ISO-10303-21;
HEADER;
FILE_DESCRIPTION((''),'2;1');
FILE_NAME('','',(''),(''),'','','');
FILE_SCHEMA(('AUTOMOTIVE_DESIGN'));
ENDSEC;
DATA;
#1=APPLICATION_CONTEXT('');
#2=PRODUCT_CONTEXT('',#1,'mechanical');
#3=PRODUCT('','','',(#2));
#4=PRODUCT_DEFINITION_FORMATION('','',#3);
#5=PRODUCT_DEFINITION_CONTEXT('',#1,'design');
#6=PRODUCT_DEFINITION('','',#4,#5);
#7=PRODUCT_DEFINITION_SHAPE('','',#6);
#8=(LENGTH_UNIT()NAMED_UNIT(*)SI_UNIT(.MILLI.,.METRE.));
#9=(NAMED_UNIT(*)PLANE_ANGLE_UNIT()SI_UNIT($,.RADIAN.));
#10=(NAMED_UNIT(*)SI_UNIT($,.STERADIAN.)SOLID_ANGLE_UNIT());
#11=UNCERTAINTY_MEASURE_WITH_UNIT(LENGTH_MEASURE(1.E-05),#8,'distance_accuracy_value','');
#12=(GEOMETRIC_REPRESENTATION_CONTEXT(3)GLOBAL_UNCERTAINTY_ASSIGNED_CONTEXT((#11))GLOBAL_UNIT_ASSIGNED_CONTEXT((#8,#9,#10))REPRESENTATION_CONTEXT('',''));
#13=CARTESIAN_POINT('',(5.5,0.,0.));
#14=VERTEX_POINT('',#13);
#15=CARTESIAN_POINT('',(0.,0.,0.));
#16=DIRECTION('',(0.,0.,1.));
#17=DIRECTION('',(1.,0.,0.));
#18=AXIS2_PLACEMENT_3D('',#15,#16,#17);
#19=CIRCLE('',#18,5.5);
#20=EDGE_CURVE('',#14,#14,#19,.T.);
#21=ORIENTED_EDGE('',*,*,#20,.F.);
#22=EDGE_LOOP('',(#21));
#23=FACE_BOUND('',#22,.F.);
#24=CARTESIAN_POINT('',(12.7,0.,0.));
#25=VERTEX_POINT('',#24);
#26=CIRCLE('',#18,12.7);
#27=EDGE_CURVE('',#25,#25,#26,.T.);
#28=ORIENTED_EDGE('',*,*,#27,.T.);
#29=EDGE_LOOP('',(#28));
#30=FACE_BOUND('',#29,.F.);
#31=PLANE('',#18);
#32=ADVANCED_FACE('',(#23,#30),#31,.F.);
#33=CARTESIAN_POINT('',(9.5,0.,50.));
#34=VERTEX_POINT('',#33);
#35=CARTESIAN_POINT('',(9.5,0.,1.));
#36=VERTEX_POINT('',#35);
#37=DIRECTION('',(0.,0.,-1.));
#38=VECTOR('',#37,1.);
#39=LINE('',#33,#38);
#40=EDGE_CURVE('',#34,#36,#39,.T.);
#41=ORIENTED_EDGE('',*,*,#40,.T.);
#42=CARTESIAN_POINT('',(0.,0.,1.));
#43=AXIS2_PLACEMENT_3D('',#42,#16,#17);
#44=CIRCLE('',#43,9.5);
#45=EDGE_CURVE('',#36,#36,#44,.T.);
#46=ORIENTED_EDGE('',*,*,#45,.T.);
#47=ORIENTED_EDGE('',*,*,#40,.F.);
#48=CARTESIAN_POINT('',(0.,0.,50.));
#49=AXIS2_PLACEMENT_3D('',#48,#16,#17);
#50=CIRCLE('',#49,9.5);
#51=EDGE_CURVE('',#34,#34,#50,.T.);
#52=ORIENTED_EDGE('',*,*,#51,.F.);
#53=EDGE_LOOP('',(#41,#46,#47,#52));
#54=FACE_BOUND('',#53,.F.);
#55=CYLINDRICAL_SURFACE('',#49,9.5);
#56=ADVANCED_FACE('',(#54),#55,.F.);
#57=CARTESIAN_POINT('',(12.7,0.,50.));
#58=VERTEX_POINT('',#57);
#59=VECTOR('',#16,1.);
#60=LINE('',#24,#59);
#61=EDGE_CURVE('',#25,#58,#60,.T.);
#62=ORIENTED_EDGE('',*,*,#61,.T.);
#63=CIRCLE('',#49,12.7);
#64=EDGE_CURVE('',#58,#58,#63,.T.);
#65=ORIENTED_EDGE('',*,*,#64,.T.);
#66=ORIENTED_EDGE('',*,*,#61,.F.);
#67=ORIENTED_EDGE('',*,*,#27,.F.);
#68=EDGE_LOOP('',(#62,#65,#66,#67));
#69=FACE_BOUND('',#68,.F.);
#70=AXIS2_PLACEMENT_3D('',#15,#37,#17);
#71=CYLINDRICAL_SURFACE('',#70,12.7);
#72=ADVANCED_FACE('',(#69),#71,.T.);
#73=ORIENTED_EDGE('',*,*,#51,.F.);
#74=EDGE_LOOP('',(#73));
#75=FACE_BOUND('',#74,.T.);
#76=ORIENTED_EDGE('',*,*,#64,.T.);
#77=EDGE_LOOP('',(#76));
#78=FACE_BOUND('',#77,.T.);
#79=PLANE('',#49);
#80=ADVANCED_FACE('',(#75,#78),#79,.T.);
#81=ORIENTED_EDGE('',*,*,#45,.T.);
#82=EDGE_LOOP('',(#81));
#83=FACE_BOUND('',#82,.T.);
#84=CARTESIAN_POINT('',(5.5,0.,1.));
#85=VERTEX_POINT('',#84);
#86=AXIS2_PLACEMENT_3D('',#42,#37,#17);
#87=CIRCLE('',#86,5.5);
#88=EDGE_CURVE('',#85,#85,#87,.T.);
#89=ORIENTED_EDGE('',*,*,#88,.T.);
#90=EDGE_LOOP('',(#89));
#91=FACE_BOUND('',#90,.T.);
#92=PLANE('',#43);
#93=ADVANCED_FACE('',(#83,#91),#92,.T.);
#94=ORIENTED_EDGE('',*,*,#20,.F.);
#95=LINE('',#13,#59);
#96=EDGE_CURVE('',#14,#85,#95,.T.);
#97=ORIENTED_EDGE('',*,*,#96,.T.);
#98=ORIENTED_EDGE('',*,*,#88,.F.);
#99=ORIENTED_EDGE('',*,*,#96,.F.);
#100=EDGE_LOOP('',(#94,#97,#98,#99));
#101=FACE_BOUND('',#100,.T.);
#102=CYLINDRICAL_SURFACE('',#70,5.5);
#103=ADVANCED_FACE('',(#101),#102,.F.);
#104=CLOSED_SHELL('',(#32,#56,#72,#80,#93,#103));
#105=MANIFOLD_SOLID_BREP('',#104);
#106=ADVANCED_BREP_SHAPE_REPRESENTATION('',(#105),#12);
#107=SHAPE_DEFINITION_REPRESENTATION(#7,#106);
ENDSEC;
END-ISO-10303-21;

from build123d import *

# Parameters (mm, degrees)
SKETCH_R     = 12.7
SKETCH_R_2   = 5.5
PAD_DEPTH    = 50
SKETCH001_R  = 9.5
POCKET_DEPTH = 49


with BuildPart() as part:
    # Sketch → Pad (new body)
    with BuildSketch(Plane.XY):
        Circle(SKETCH_R)
        Circle(SKETCH_R_2, mode=Mode.SUBTRACT)
    extrude(amount=PAD_DEPTH)

    # Sketch001 (on Face4 of Pad) → Pocket (cut)
    with BuildSketch(Plane.XY.offset(50)):
        Circle(SKETCH001_R)
    extrude(amount=-POCKET_DEPTH, mode=Mode.SUBTRACT)


solid = part.part
